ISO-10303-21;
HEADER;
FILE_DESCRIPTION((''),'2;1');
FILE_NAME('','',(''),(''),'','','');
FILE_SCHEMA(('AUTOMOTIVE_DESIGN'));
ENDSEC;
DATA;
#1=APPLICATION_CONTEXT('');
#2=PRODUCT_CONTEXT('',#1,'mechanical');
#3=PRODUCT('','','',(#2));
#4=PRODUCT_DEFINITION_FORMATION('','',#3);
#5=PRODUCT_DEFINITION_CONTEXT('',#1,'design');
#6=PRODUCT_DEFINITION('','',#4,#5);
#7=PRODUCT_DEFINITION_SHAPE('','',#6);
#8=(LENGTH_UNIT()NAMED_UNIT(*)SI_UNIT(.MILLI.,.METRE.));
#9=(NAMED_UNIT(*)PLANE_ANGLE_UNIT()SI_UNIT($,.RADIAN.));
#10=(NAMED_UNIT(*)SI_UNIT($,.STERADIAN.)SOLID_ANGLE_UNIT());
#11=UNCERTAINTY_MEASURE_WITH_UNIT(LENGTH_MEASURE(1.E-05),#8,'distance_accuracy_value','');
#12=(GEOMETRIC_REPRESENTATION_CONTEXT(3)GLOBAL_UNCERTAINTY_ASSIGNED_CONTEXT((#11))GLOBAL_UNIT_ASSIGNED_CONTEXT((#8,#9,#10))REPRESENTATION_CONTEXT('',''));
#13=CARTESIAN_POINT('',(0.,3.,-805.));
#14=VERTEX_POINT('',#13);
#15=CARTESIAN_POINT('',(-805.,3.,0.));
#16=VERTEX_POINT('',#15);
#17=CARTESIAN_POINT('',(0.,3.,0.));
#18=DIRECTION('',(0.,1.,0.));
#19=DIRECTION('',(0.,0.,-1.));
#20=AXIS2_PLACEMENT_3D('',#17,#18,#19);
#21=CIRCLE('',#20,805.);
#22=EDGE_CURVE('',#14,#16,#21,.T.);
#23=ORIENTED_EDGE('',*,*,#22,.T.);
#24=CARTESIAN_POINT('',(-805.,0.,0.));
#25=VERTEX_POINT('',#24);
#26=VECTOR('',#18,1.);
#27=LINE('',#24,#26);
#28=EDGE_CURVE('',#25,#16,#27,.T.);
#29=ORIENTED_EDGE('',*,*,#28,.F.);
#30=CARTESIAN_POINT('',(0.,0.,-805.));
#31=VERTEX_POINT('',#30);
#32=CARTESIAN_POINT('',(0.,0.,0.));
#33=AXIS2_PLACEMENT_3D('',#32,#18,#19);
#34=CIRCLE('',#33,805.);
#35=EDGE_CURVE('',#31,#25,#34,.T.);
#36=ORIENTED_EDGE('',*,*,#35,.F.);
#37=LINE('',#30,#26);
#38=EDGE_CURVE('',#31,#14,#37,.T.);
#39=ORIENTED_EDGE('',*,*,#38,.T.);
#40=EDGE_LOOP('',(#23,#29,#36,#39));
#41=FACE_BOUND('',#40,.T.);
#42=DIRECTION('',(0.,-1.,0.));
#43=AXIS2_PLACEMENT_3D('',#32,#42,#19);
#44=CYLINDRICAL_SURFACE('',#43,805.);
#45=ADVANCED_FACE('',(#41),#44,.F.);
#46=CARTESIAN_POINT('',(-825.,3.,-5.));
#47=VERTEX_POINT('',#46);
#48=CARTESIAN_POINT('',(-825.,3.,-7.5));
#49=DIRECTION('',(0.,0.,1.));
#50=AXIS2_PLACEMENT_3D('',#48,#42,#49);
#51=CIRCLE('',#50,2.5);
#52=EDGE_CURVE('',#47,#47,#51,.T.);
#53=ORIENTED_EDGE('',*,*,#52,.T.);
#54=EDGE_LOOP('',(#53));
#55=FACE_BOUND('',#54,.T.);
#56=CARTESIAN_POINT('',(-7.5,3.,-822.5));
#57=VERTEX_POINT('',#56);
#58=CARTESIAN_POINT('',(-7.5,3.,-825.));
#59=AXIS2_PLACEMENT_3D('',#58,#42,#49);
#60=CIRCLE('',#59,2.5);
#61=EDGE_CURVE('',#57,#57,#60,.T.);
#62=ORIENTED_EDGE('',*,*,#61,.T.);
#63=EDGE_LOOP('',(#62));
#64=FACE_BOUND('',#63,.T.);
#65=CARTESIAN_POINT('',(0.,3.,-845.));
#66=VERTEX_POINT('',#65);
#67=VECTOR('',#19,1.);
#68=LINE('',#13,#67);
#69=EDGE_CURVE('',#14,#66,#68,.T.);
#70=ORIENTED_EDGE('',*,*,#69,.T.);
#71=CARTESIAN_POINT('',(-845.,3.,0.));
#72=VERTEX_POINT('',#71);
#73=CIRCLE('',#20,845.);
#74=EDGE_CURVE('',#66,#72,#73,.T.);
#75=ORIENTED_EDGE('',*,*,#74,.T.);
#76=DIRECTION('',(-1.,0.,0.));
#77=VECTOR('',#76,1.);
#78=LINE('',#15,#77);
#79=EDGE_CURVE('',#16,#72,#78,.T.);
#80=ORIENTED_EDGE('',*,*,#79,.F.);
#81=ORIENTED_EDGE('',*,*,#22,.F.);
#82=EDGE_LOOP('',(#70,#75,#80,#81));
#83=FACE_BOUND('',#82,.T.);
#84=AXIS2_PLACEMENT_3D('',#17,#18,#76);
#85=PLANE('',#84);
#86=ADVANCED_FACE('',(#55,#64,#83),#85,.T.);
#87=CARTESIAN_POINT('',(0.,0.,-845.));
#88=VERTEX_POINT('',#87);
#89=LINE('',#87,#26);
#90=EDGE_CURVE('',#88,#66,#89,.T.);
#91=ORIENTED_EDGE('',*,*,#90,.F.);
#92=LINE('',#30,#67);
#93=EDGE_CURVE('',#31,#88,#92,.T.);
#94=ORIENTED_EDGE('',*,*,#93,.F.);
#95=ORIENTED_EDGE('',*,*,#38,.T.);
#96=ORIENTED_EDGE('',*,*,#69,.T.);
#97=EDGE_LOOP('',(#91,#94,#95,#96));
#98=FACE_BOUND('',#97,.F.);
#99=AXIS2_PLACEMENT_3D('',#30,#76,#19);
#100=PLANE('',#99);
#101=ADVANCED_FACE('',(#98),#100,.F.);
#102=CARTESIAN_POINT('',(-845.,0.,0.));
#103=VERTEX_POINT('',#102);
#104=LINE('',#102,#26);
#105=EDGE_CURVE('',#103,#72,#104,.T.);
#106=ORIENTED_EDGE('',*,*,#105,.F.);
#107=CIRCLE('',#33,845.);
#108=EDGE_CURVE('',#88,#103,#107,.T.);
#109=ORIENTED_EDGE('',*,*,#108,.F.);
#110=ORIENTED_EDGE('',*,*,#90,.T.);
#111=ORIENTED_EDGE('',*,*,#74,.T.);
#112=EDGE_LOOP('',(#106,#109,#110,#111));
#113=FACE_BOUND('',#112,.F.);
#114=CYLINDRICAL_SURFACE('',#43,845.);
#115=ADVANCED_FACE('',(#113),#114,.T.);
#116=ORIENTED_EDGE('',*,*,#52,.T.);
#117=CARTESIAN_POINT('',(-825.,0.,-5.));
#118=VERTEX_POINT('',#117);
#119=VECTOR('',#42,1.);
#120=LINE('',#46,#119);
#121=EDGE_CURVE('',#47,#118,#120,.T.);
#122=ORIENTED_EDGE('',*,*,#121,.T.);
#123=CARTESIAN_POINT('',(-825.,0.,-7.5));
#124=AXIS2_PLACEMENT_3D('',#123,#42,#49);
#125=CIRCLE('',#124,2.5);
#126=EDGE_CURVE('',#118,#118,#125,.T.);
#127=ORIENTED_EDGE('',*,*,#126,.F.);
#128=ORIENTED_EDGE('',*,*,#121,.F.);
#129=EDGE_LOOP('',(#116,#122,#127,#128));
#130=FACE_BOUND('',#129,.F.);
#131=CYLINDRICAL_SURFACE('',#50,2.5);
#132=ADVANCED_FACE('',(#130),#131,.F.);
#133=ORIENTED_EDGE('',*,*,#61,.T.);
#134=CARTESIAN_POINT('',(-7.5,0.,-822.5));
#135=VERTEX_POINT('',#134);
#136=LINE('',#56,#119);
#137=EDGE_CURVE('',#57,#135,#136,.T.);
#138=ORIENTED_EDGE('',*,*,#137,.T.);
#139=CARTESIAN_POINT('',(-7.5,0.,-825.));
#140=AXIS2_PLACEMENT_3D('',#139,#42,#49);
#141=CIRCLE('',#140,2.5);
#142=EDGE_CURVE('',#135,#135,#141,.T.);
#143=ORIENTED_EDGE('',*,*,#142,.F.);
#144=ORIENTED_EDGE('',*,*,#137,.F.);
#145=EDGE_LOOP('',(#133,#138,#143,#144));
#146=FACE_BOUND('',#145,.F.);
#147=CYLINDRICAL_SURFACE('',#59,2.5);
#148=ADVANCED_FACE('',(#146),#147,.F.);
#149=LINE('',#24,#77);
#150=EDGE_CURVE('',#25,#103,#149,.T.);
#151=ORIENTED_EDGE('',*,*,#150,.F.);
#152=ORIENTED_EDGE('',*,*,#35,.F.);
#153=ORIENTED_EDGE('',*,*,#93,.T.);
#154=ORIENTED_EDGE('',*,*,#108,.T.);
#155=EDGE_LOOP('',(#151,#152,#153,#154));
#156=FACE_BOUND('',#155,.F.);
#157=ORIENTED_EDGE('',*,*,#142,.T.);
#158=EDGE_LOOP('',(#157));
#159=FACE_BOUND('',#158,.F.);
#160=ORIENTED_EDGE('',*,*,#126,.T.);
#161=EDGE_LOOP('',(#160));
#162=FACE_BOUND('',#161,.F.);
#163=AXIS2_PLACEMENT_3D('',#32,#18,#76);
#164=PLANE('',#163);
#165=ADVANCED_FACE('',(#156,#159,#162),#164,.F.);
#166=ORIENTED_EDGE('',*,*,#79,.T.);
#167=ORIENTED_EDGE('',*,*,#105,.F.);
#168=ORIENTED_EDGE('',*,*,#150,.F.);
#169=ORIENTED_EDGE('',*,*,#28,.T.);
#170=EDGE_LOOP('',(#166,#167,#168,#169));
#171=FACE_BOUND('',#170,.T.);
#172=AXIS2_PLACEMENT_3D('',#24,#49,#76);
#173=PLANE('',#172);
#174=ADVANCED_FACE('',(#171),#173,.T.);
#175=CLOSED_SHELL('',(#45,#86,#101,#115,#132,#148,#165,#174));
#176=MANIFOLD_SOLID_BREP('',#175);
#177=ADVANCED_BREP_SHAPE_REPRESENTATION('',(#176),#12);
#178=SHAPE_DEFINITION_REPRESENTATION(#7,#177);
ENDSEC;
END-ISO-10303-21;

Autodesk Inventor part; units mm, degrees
ref_plane "YZ Plane" through (0, 0, 0) normal (1, 0, 0) x (0, 1, 0)
ref_plane "XZ Plane" through (0, 0, 0) normal (0, 1, 0) x (-1, 0, 0)
ref_plane "XY Plane" through (0, 0, 0) normal (0, 0, 1) x (1, 0, 0)
sketch "Esboço1" plane through (0, 0, 0) normal (0, 1, 0) x (-1, 0, 0)
  arc A0 (0, -805) -> (805, 0) centre (0, 0) ccw
  arc A1 (0, -845) -> (845, 0) centre (0, 0) ccw
  line L0 (805, 0) -> (845, 0)
  line L1 (0, -805) -> (0, -845)
  circle A2 centre (7.5, -815) radius 2.5
  circle A3 centre (7.5, -835) radius 2.5
  circle A4 centre (835, -7.5) radius 2.5
  circle A5 centre (815, -7.5) radius 2.5
  circle A6 centre (835, -7.5) radius 2.5
  circle A7 centre (815, -7.5) radius 2.5
  dimension "d0" = 805
  dimension "d1" = 845
  dimension "d2" = 5
  dimension "d3" = 5
  dimension "d4" = 20
  dimension "d6" = 7.5
  dimension "d7" = 5
  dimension "d8" = 5
  dimension "d9" = 7.5
  dimension "d10" = 10
  dimension "d11" = 20
  dimension "d13" = 7.5
  dimension "d14" = 7.5
  dimension "d15" = 10
extrude "Extrusão1" add sketch "Esboço1" along normal blind 3 contours A0 L0 A1 L1 | A2 | A3 | A4 | A5
sketch "Esboço4" plane through (0, 3, 0) normal (0, 1, 0) x (1, 0, 0)
  circle A0 centre (-825, 7.5) radius 2.5
  line L0 (-845, 0) -> (-805, 0) projected
  circle A1 centre (-7.5, 825) radius 2.5
  line L1 (0, 805) -> (0, 845) projected
  point P0 (0, 0)
  dimension "d19" = 5
  dimension "d22" = 7.5
  dimension "d25" = 5
  dimension "d26" = 7.5
  dimension "d44" = 20
  dimension "d45" = 20
hole "Furo1" at (-825, 3, -7.5) at (-7.5, 3, -825) direction (0, -1, 0) diameter 5 end through all
properties part number "Arco menor_CPY" material "Alumínio 6061"
